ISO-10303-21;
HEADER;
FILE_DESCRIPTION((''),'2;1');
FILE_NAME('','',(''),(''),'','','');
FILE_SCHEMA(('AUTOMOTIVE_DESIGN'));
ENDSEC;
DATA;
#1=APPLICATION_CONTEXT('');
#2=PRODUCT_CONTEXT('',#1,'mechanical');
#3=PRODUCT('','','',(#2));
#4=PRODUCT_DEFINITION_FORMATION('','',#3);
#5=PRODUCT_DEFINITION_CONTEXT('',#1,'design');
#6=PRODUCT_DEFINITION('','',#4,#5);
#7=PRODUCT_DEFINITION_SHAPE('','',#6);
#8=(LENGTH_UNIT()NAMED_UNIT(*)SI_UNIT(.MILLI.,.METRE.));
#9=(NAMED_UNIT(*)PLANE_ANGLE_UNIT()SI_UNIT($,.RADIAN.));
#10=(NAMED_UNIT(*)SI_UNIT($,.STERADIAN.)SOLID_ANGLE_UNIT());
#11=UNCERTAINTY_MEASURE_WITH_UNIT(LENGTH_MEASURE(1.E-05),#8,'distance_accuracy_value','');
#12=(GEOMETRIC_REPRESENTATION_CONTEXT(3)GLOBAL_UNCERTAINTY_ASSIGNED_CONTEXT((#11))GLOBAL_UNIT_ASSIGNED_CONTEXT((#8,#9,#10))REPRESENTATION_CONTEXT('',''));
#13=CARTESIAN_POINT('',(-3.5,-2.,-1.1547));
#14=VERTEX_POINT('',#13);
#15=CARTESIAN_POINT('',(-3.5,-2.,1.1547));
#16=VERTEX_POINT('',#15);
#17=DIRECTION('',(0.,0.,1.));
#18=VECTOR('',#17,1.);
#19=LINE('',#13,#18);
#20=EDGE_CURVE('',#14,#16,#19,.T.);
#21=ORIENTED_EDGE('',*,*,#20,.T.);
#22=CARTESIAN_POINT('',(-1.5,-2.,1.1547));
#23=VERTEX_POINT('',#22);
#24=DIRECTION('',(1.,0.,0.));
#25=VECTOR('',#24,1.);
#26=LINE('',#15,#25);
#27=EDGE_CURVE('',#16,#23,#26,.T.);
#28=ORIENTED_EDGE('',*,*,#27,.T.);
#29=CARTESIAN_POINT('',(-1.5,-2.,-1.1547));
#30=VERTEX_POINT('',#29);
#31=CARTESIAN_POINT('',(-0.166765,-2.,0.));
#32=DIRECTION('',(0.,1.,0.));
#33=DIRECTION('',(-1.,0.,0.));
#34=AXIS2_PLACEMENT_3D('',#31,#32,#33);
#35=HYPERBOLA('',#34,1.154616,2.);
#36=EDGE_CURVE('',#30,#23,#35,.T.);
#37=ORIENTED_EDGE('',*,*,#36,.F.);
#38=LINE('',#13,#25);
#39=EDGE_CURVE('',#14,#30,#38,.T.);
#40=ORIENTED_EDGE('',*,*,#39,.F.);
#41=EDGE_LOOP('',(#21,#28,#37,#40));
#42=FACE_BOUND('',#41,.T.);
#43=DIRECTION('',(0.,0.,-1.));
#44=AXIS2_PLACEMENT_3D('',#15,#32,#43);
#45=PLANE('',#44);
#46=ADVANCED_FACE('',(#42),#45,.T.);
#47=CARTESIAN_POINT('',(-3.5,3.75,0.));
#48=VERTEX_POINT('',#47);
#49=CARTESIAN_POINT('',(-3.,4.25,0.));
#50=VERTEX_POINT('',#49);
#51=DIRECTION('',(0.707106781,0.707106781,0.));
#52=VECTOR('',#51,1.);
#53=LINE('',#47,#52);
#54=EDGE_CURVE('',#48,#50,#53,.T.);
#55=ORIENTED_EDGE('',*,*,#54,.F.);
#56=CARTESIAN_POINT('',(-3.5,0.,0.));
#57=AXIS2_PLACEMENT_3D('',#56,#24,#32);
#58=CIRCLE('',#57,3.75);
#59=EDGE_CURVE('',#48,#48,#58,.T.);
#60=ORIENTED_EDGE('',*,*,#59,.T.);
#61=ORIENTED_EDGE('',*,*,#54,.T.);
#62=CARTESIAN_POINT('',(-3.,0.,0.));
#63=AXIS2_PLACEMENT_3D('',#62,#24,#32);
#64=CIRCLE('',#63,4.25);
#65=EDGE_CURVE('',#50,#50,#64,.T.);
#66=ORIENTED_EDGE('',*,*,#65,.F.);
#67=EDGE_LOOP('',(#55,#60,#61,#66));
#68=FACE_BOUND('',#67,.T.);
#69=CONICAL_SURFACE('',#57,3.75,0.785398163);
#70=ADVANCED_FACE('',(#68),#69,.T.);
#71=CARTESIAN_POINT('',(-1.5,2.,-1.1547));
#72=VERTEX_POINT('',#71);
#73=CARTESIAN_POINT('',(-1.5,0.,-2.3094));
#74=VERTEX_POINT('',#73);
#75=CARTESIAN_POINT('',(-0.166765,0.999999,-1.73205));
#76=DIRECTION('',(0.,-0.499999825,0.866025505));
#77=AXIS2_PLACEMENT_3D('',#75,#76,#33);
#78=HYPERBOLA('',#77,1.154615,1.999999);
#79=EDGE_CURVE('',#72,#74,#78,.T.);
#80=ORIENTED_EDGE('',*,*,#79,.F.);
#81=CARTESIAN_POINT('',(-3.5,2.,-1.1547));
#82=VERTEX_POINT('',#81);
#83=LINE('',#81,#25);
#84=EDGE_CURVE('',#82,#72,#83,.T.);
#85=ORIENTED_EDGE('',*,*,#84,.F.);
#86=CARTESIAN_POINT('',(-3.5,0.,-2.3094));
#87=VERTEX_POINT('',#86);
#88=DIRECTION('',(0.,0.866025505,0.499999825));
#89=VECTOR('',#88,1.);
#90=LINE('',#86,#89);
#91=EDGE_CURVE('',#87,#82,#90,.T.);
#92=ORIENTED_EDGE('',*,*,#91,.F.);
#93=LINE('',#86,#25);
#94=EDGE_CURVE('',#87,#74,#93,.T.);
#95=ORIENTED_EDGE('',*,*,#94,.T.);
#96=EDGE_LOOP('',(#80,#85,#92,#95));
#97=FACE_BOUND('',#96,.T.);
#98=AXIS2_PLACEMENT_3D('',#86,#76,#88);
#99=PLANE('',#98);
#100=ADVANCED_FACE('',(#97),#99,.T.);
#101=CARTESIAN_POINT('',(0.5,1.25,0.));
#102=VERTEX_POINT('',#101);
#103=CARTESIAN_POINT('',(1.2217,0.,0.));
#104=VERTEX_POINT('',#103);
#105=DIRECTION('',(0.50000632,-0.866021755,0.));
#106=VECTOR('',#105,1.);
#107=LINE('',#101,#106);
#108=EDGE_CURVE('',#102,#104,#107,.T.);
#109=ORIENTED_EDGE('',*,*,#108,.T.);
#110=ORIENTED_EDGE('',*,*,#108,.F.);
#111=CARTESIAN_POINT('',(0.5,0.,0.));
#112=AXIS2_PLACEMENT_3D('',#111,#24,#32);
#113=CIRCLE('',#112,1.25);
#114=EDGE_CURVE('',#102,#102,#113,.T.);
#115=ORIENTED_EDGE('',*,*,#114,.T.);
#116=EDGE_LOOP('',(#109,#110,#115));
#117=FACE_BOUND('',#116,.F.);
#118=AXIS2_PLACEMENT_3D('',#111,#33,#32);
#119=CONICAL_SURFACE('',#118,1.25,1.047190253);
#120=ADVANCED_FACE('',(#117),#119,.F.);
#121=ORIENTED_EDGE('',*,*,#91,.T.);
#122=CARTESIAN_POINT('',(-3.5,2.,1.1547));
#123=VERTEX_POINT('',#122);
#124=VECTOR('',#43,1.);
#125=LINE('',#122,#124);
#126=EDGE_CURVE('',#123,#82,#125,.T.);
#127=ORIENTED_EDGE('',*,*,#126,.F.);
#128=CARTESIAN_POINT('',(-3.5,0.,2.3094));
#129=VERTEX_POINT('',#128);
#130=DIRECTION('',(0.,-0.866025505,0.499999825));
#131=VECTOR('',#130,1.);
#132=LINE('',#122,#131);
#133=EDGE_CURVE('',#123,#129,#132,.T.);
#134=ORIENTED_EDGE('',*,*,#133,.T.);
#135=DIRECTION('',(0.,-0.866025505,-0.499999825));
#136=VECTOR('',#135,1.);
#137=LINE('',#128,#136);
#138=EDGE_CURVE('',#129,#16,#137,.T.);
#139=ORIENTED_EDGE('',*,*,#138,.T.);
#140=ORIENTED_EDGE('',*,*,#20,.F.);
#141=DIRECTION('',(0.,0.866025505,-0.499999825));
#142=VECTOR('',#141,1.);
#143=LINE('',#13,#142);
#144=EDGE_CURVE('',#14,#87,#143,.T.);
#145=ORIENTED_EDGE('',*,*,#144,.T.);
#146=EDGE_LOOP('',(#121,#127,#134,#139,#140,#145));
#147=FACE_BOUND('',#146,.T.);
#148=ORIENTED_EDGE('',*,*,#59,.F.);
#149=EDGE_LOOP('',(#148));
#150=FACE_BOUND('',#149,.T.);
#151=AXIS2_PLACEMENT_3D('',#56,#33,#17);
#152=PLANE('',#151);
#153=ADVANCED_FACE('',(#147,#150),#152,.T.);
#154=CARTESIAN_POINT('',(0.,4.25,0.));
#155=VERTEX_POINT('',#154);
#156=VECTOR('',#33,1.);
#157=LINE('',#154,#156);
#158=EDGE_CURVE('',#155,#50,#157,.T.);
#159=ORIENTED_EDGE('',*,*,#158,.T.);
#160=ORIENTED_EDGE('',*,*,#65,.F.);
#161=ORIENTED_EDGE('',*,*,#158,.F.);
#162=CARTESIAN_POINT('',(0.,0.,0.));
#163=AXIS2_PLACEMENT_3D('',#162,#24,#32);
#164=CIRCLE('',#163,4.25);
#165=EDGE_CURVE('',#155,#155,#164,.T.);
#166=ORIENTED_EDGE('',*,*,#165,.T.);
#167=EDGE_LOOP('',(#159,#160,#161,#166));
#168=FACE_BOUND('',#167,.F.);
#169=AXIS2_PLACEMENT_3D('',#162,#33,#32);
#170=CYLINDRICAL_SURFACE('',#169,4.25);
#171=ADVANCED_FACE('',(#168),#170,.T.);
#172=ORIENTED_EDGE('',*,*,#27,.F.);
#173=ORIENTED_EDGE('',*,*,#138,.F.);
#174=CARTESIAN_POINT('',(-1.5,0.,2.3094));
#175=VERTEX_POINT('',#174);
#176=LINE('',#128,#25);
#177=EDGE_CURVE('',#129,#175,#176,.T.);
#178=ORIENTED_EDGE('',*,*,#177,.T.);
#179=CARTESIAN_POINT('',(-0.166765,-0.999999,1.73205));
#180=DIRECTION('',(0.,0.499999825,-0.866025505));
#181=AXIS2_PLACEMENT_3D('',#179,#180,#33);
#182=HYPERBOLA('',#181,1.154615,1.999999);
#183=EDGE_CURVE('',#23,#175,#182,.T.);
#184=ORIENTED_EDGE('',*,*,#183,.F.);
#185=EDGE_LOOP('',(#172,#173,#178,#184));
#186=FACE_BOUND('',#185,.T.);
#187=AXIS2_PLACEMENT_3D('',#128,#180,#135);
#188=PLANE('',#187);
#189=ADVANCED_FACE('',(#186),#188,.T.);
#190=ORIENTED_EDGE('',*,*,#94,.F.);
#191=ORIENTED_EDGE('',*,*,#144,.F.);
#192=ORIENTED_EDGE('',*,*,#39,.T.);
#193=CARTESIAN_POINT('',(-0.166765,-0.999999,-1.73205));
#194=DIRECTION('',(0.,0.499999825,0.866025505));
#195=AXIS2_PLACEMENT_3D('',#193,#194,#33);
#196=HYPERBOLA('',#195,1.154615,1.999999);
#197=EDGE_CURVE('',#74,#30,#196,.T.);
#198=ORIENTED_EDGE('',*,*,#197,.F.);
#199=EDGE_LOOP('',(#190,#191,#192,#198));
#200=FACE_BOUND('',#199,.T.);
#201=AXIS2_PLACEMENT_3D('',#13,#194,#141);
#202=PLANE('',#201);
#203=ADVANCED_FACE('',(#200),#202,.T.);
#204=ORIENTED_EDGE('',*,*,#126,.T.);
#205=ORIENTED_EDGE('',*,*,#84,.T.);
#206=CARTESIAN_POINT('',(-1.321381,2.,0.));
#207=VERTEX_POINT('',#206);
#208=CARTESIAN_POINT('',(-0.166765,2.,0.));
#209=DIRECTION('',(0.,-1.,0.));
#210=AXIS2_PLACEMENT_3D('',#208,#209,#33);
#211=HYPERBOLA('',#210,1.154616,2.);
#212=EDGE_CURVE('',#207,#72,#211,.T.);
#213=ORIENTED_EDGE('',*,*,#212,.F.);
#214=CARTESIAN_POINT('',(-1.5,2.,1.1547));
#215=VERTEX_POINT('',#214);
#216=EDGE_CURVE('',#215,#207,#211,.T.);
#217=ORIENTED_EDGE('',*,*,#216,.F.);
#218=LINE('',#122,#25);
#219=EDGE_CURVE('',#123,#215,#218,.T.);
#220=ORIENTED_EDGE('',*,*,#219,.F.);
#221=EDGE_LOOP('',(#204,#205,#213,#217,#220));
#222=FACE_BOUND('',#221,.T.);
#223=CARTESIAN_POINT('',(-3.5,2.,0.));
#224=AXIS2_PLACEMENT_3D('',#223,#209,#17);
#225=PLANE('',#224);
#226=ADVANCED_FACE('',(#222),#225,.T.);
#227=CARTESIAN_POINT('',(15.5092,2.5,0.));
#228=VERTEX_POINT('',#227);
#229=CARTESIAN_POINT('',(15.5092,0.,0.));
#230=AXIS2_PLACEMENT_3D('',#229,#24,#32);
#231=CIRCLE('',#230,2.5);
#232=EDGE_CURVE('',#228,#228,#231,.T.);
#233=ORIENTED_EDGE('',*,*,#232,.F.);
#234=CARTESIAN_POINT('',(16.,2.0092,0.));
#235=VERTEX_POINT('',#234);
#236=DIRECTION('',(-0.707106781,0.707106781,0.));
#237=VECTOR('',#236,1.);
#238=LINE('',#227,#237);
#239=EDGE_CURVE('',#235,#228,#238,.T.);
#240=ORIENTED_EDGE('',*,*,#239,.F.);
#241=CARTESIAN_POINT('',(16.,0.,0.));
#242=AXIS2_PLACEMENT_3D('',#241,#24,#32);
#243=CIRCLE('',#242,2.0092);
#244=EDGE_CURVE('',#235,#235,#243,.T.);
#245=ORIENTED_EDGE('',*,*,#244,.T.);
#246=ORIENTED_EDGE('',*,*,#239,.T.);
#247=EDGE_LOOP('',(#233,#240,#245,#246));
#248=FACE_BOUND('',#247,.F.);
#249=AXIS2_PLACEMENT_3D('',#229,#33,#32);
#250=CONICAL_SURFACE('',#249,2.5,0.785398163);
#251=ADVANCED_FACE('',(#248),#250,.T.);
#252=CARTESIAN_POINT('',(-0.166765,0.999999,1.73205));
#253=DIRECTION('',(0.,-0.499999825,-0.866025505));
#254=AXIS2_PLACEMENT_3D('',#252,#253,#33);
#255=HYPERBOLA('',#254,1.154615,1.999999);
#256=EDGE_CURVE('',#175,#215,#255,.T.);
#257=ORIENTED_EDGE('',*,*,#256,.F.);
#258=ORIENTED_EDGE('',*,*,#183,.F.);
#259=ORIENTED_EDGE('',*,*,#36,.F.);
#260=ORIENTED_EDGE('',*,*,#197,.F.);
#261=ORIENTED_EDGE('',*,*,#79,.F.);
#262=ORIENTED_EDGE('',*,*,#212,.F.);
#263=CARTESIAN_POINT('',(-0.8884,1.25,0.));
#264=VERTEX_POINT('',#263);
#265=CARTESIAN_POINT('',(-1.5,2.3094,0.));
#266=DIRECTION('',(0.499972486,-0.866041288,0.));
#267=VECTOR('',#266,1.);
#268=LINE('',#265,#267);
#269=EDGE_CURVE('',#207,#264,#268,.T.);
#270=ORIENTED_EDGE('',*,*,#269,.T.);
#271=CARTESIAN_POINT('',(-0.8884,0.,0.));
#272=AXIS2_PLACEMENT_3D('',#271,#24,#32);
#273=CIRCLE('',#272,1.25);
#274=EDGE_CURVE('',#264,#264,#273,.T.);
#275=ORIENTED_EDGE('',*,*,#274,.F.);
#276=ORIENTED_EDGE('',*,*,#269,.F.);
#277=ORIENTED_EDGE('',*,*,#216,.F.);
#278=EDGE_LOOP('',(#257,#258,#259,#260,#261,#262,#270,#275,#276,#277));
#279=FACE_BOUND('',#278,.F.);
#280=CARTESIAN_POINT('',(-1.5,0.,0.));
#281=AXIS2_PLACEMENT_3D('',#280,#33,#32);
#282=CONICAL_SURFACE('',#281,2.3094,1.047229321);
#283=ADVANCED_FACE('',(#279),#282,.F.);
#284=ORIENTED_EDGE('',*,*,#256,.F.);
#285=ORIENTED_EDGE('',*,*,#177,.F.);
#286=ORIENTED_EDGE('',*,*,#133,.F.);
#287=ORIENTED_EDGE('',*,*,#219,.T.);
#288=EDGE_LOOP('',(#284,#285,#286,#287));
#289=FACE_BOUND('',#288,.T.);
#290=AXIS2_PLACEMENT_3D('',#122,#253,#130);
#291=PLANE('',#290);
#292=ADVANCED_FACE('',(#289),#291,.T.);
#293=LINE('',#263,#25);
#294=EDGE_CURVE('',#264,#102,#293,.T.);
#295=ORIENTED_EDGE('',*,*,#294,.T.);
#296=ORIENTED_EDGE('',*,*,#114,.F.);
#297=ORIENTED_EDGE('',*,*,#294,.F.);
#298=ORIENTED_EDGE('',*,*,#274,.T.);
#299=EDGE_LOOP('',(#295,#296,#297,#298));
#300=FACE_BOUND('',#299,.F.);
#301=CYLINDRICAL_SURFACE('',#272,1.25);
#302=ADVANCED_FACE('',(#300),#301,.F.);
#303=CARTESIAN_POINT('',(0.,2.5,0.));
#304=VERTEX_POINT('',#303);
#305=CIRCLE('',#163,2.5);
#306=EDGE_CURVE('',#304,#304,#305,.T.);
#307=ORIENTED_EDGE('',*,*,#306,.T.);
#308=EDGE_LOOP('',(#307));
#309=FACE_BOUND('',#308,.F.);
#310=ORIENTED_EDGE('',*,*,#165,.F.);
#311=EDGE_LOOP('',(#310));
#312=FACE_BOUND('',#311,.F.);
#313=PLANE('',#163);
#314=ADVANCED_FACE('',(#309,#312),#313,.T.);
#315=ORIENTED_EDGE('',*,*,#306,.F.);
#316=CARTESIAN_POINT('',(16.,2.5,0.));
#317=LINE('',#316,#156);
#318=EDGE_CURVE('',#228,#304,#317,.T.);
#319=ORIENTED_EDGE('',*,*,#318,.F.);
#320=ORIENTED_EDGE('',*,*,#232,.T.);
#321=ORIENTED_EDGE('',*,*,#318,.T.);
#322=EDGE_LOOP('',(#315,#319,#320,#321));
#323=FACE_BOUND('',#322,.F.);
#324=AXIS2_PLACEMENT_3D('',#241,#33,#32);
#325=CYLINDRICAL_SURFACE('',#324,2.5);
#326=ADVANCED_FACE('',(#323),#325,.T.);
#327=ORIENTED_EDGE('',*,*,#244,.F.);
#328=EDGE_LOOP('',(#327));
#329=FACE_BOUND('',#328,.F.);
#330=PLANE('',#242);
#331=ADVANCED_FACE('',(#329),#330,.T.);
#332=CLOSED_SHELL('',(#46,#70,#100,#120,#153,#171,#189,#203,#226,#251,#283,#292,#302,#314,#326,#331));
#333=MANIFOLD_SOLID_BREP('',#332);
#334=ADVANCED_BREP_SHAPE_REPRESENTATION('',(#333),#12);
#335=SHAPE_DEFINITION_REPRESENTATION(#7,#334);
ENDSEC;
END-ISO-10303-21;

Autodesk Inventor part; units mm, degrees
ref_plane "YZ Plane" through (0, 0, 0) normal (1, 0, 0) x (0, 1, 0)
ref_plane "XZ Plane" through (0, 0, 0) normal (0, 1, 0) x (-1, 0, 0)
sketch "Sketch1" plane through (0, 0, 0) normal (0, 0, 1) x (1, 0, 0)
  line L0 (1.2217, 0) -> (16, 0)
  line L1 (16, 0) -> (16, 2.5)
  line L2 (16, 2.5) -> (0, 2.5)
  line L3 (0, 2.5) -> (0, 4.25)
  line L4 (0, 4.25) -> (-3.5, 4.25)
  line L5 (-3.5, 4.25) -> (-3.5, 2.3094)
  line L6 (-3.5, 2.3094) -> (-1.5, 2.3094)
  line L7 (-1.5, 2.3094) -> (-0.8884, 1.25)
  line L8 (-7.4, 0) -> (19.9, 0) projected
  line L9 (0, -0.85) -> (0, 5.1) projected
  line L10 (-0.8884, 1.25) -> (0.5, 1.25)
  line L11 (0.5, 1.25) -> (1.2217, 0)
  line L12 (-3.5, 2.3094) -> (-3.5, 0) construction
  line L13 (-3.5, 3.75) -> (-3, 4.25)
  dimension "d0" = 3.5
  dimension "d1" = 2
  dimension "d2" = 60
  dimension "d3" = 5
  dimension "d4" = 4.6188
  dimension "d5" = 8.5
  dimension "d15" = 4
  dimension "d16" = 2.5
  dimension "d17" = 16
  dimension "d32" = 45
  dimension "d33" = 0.5
revolve "Body" add sketch "Sketch1" angle 360 about axis through (1.2217, 0, 0) along (1, 0, 0) contours L11 L10 L9 L2 L1 L0 | L10 L7 L6 L5 L13 L4 L3 L9 | L13 L5 L4
revolve "Chamfer2" cut sketch "Sketch1" angle 360 about axis through (-10, 0, 0) along (1, 0, 0) contours L13 L5 L4
sketch "Sketch2" plane through (-3.5, 0, 0) normal (-1, 0, 0) x (0, 0, 1)
  circle A0 centre (0, 0) radius 2.3094 projected
  line L0 (0, -5.95) -> (0, 5.95) projected
  line L1 (-5.95, 0) -> (5.95, 0) projected
  line L2 (2.3094, 0) -> (1.1547, -2)
  line L3 (1.1547, -2) -> (-1.1547, -2)
  line L4 (-1.1547, -2) -> (-2.3094, 0)
  line L5 (-2.3094, 0) -> (-1.1547, 2)
  line L6 (-1.1547, 2) -> (1.1547, 2)
  line L7 (1.1547, 2) -> (2.3094, 0)
extrude "Slot" add sketch "Sketch2" against normal up to next contours L7 A0 | A0 L2 | L6 L0 A0 | A0 L0 L3 | L0 L6 A0 | A0 L3 L0 | L4 A0 | A0 L5
thread "Thread" size "M5x0.8" class "6g" standard "ISO Metric profile" length 11.8
chamfer "Chamfer1" distance 0.4908 distance2 0.4908 1 edges at (16, -2.5, 0) measured on face at (16, -0.7741, -0.6858)
ref_plane "Work Plane1" through (8, 0, 0) normal (0, 0.5, 0.866) x (1, 0, 0)
equation "\"d0\" = KOH"
equation "\"d1\" = INTI"
equation "\"d3\" = GD"
equation "\"d4\" = 1.1547 * SW"
equation "\"d5\" = KOD"
equation "\"d15\" = INFT"
equation "\"d16\" = SDT"
equation "\"d17\" = NLG"
equation "\"d33\" = Cham"
equation "\"d7\" = GEL"
equation "\"d9\" = -0.5 * SPD + 0.5 * GD"
equation "\"d12\" = GUL"
equation "\"GD\" = NND"
equation "\"NLG\" = 16"
equation "\"GEL\" = 11.8"
equation "\"KOD\" = 8.5"
equation "\"KOH\" = 3.5"
equation "\"GUL\" = 0.61345 * PTC"
equation "\"SW\" = 4"
equation "\"INTI\" = 2"
equation "\"SPD\" = NND - 1.2269 * PTC"
equation "\"SDT\" = 2.5"
equation "\"INFT\" = 4"
equation "\"Cham\" = 0.5"
equation "\"TOA\" = 30deg"
equation "\"GD1\" = THREADDIA - 1.2269 * PTC"
equation "\"THREADDIA\" = 5"
equation "\"BDM\" = NND"
equation "\"FAWI\" = 45deg"
equation "\"RR\" = 0.1 * NND"
equation "\"PTC\" = 0.8"
equation "\"NND\" = 5"
equation "\"FAWI1\" = 45deg"
equation "\"GAL\" = 0.61345 * PTC"
equation "\"E0\" = 1.155 * SW"
properties part number "PWTR-0106" material "Steel, Mild"
